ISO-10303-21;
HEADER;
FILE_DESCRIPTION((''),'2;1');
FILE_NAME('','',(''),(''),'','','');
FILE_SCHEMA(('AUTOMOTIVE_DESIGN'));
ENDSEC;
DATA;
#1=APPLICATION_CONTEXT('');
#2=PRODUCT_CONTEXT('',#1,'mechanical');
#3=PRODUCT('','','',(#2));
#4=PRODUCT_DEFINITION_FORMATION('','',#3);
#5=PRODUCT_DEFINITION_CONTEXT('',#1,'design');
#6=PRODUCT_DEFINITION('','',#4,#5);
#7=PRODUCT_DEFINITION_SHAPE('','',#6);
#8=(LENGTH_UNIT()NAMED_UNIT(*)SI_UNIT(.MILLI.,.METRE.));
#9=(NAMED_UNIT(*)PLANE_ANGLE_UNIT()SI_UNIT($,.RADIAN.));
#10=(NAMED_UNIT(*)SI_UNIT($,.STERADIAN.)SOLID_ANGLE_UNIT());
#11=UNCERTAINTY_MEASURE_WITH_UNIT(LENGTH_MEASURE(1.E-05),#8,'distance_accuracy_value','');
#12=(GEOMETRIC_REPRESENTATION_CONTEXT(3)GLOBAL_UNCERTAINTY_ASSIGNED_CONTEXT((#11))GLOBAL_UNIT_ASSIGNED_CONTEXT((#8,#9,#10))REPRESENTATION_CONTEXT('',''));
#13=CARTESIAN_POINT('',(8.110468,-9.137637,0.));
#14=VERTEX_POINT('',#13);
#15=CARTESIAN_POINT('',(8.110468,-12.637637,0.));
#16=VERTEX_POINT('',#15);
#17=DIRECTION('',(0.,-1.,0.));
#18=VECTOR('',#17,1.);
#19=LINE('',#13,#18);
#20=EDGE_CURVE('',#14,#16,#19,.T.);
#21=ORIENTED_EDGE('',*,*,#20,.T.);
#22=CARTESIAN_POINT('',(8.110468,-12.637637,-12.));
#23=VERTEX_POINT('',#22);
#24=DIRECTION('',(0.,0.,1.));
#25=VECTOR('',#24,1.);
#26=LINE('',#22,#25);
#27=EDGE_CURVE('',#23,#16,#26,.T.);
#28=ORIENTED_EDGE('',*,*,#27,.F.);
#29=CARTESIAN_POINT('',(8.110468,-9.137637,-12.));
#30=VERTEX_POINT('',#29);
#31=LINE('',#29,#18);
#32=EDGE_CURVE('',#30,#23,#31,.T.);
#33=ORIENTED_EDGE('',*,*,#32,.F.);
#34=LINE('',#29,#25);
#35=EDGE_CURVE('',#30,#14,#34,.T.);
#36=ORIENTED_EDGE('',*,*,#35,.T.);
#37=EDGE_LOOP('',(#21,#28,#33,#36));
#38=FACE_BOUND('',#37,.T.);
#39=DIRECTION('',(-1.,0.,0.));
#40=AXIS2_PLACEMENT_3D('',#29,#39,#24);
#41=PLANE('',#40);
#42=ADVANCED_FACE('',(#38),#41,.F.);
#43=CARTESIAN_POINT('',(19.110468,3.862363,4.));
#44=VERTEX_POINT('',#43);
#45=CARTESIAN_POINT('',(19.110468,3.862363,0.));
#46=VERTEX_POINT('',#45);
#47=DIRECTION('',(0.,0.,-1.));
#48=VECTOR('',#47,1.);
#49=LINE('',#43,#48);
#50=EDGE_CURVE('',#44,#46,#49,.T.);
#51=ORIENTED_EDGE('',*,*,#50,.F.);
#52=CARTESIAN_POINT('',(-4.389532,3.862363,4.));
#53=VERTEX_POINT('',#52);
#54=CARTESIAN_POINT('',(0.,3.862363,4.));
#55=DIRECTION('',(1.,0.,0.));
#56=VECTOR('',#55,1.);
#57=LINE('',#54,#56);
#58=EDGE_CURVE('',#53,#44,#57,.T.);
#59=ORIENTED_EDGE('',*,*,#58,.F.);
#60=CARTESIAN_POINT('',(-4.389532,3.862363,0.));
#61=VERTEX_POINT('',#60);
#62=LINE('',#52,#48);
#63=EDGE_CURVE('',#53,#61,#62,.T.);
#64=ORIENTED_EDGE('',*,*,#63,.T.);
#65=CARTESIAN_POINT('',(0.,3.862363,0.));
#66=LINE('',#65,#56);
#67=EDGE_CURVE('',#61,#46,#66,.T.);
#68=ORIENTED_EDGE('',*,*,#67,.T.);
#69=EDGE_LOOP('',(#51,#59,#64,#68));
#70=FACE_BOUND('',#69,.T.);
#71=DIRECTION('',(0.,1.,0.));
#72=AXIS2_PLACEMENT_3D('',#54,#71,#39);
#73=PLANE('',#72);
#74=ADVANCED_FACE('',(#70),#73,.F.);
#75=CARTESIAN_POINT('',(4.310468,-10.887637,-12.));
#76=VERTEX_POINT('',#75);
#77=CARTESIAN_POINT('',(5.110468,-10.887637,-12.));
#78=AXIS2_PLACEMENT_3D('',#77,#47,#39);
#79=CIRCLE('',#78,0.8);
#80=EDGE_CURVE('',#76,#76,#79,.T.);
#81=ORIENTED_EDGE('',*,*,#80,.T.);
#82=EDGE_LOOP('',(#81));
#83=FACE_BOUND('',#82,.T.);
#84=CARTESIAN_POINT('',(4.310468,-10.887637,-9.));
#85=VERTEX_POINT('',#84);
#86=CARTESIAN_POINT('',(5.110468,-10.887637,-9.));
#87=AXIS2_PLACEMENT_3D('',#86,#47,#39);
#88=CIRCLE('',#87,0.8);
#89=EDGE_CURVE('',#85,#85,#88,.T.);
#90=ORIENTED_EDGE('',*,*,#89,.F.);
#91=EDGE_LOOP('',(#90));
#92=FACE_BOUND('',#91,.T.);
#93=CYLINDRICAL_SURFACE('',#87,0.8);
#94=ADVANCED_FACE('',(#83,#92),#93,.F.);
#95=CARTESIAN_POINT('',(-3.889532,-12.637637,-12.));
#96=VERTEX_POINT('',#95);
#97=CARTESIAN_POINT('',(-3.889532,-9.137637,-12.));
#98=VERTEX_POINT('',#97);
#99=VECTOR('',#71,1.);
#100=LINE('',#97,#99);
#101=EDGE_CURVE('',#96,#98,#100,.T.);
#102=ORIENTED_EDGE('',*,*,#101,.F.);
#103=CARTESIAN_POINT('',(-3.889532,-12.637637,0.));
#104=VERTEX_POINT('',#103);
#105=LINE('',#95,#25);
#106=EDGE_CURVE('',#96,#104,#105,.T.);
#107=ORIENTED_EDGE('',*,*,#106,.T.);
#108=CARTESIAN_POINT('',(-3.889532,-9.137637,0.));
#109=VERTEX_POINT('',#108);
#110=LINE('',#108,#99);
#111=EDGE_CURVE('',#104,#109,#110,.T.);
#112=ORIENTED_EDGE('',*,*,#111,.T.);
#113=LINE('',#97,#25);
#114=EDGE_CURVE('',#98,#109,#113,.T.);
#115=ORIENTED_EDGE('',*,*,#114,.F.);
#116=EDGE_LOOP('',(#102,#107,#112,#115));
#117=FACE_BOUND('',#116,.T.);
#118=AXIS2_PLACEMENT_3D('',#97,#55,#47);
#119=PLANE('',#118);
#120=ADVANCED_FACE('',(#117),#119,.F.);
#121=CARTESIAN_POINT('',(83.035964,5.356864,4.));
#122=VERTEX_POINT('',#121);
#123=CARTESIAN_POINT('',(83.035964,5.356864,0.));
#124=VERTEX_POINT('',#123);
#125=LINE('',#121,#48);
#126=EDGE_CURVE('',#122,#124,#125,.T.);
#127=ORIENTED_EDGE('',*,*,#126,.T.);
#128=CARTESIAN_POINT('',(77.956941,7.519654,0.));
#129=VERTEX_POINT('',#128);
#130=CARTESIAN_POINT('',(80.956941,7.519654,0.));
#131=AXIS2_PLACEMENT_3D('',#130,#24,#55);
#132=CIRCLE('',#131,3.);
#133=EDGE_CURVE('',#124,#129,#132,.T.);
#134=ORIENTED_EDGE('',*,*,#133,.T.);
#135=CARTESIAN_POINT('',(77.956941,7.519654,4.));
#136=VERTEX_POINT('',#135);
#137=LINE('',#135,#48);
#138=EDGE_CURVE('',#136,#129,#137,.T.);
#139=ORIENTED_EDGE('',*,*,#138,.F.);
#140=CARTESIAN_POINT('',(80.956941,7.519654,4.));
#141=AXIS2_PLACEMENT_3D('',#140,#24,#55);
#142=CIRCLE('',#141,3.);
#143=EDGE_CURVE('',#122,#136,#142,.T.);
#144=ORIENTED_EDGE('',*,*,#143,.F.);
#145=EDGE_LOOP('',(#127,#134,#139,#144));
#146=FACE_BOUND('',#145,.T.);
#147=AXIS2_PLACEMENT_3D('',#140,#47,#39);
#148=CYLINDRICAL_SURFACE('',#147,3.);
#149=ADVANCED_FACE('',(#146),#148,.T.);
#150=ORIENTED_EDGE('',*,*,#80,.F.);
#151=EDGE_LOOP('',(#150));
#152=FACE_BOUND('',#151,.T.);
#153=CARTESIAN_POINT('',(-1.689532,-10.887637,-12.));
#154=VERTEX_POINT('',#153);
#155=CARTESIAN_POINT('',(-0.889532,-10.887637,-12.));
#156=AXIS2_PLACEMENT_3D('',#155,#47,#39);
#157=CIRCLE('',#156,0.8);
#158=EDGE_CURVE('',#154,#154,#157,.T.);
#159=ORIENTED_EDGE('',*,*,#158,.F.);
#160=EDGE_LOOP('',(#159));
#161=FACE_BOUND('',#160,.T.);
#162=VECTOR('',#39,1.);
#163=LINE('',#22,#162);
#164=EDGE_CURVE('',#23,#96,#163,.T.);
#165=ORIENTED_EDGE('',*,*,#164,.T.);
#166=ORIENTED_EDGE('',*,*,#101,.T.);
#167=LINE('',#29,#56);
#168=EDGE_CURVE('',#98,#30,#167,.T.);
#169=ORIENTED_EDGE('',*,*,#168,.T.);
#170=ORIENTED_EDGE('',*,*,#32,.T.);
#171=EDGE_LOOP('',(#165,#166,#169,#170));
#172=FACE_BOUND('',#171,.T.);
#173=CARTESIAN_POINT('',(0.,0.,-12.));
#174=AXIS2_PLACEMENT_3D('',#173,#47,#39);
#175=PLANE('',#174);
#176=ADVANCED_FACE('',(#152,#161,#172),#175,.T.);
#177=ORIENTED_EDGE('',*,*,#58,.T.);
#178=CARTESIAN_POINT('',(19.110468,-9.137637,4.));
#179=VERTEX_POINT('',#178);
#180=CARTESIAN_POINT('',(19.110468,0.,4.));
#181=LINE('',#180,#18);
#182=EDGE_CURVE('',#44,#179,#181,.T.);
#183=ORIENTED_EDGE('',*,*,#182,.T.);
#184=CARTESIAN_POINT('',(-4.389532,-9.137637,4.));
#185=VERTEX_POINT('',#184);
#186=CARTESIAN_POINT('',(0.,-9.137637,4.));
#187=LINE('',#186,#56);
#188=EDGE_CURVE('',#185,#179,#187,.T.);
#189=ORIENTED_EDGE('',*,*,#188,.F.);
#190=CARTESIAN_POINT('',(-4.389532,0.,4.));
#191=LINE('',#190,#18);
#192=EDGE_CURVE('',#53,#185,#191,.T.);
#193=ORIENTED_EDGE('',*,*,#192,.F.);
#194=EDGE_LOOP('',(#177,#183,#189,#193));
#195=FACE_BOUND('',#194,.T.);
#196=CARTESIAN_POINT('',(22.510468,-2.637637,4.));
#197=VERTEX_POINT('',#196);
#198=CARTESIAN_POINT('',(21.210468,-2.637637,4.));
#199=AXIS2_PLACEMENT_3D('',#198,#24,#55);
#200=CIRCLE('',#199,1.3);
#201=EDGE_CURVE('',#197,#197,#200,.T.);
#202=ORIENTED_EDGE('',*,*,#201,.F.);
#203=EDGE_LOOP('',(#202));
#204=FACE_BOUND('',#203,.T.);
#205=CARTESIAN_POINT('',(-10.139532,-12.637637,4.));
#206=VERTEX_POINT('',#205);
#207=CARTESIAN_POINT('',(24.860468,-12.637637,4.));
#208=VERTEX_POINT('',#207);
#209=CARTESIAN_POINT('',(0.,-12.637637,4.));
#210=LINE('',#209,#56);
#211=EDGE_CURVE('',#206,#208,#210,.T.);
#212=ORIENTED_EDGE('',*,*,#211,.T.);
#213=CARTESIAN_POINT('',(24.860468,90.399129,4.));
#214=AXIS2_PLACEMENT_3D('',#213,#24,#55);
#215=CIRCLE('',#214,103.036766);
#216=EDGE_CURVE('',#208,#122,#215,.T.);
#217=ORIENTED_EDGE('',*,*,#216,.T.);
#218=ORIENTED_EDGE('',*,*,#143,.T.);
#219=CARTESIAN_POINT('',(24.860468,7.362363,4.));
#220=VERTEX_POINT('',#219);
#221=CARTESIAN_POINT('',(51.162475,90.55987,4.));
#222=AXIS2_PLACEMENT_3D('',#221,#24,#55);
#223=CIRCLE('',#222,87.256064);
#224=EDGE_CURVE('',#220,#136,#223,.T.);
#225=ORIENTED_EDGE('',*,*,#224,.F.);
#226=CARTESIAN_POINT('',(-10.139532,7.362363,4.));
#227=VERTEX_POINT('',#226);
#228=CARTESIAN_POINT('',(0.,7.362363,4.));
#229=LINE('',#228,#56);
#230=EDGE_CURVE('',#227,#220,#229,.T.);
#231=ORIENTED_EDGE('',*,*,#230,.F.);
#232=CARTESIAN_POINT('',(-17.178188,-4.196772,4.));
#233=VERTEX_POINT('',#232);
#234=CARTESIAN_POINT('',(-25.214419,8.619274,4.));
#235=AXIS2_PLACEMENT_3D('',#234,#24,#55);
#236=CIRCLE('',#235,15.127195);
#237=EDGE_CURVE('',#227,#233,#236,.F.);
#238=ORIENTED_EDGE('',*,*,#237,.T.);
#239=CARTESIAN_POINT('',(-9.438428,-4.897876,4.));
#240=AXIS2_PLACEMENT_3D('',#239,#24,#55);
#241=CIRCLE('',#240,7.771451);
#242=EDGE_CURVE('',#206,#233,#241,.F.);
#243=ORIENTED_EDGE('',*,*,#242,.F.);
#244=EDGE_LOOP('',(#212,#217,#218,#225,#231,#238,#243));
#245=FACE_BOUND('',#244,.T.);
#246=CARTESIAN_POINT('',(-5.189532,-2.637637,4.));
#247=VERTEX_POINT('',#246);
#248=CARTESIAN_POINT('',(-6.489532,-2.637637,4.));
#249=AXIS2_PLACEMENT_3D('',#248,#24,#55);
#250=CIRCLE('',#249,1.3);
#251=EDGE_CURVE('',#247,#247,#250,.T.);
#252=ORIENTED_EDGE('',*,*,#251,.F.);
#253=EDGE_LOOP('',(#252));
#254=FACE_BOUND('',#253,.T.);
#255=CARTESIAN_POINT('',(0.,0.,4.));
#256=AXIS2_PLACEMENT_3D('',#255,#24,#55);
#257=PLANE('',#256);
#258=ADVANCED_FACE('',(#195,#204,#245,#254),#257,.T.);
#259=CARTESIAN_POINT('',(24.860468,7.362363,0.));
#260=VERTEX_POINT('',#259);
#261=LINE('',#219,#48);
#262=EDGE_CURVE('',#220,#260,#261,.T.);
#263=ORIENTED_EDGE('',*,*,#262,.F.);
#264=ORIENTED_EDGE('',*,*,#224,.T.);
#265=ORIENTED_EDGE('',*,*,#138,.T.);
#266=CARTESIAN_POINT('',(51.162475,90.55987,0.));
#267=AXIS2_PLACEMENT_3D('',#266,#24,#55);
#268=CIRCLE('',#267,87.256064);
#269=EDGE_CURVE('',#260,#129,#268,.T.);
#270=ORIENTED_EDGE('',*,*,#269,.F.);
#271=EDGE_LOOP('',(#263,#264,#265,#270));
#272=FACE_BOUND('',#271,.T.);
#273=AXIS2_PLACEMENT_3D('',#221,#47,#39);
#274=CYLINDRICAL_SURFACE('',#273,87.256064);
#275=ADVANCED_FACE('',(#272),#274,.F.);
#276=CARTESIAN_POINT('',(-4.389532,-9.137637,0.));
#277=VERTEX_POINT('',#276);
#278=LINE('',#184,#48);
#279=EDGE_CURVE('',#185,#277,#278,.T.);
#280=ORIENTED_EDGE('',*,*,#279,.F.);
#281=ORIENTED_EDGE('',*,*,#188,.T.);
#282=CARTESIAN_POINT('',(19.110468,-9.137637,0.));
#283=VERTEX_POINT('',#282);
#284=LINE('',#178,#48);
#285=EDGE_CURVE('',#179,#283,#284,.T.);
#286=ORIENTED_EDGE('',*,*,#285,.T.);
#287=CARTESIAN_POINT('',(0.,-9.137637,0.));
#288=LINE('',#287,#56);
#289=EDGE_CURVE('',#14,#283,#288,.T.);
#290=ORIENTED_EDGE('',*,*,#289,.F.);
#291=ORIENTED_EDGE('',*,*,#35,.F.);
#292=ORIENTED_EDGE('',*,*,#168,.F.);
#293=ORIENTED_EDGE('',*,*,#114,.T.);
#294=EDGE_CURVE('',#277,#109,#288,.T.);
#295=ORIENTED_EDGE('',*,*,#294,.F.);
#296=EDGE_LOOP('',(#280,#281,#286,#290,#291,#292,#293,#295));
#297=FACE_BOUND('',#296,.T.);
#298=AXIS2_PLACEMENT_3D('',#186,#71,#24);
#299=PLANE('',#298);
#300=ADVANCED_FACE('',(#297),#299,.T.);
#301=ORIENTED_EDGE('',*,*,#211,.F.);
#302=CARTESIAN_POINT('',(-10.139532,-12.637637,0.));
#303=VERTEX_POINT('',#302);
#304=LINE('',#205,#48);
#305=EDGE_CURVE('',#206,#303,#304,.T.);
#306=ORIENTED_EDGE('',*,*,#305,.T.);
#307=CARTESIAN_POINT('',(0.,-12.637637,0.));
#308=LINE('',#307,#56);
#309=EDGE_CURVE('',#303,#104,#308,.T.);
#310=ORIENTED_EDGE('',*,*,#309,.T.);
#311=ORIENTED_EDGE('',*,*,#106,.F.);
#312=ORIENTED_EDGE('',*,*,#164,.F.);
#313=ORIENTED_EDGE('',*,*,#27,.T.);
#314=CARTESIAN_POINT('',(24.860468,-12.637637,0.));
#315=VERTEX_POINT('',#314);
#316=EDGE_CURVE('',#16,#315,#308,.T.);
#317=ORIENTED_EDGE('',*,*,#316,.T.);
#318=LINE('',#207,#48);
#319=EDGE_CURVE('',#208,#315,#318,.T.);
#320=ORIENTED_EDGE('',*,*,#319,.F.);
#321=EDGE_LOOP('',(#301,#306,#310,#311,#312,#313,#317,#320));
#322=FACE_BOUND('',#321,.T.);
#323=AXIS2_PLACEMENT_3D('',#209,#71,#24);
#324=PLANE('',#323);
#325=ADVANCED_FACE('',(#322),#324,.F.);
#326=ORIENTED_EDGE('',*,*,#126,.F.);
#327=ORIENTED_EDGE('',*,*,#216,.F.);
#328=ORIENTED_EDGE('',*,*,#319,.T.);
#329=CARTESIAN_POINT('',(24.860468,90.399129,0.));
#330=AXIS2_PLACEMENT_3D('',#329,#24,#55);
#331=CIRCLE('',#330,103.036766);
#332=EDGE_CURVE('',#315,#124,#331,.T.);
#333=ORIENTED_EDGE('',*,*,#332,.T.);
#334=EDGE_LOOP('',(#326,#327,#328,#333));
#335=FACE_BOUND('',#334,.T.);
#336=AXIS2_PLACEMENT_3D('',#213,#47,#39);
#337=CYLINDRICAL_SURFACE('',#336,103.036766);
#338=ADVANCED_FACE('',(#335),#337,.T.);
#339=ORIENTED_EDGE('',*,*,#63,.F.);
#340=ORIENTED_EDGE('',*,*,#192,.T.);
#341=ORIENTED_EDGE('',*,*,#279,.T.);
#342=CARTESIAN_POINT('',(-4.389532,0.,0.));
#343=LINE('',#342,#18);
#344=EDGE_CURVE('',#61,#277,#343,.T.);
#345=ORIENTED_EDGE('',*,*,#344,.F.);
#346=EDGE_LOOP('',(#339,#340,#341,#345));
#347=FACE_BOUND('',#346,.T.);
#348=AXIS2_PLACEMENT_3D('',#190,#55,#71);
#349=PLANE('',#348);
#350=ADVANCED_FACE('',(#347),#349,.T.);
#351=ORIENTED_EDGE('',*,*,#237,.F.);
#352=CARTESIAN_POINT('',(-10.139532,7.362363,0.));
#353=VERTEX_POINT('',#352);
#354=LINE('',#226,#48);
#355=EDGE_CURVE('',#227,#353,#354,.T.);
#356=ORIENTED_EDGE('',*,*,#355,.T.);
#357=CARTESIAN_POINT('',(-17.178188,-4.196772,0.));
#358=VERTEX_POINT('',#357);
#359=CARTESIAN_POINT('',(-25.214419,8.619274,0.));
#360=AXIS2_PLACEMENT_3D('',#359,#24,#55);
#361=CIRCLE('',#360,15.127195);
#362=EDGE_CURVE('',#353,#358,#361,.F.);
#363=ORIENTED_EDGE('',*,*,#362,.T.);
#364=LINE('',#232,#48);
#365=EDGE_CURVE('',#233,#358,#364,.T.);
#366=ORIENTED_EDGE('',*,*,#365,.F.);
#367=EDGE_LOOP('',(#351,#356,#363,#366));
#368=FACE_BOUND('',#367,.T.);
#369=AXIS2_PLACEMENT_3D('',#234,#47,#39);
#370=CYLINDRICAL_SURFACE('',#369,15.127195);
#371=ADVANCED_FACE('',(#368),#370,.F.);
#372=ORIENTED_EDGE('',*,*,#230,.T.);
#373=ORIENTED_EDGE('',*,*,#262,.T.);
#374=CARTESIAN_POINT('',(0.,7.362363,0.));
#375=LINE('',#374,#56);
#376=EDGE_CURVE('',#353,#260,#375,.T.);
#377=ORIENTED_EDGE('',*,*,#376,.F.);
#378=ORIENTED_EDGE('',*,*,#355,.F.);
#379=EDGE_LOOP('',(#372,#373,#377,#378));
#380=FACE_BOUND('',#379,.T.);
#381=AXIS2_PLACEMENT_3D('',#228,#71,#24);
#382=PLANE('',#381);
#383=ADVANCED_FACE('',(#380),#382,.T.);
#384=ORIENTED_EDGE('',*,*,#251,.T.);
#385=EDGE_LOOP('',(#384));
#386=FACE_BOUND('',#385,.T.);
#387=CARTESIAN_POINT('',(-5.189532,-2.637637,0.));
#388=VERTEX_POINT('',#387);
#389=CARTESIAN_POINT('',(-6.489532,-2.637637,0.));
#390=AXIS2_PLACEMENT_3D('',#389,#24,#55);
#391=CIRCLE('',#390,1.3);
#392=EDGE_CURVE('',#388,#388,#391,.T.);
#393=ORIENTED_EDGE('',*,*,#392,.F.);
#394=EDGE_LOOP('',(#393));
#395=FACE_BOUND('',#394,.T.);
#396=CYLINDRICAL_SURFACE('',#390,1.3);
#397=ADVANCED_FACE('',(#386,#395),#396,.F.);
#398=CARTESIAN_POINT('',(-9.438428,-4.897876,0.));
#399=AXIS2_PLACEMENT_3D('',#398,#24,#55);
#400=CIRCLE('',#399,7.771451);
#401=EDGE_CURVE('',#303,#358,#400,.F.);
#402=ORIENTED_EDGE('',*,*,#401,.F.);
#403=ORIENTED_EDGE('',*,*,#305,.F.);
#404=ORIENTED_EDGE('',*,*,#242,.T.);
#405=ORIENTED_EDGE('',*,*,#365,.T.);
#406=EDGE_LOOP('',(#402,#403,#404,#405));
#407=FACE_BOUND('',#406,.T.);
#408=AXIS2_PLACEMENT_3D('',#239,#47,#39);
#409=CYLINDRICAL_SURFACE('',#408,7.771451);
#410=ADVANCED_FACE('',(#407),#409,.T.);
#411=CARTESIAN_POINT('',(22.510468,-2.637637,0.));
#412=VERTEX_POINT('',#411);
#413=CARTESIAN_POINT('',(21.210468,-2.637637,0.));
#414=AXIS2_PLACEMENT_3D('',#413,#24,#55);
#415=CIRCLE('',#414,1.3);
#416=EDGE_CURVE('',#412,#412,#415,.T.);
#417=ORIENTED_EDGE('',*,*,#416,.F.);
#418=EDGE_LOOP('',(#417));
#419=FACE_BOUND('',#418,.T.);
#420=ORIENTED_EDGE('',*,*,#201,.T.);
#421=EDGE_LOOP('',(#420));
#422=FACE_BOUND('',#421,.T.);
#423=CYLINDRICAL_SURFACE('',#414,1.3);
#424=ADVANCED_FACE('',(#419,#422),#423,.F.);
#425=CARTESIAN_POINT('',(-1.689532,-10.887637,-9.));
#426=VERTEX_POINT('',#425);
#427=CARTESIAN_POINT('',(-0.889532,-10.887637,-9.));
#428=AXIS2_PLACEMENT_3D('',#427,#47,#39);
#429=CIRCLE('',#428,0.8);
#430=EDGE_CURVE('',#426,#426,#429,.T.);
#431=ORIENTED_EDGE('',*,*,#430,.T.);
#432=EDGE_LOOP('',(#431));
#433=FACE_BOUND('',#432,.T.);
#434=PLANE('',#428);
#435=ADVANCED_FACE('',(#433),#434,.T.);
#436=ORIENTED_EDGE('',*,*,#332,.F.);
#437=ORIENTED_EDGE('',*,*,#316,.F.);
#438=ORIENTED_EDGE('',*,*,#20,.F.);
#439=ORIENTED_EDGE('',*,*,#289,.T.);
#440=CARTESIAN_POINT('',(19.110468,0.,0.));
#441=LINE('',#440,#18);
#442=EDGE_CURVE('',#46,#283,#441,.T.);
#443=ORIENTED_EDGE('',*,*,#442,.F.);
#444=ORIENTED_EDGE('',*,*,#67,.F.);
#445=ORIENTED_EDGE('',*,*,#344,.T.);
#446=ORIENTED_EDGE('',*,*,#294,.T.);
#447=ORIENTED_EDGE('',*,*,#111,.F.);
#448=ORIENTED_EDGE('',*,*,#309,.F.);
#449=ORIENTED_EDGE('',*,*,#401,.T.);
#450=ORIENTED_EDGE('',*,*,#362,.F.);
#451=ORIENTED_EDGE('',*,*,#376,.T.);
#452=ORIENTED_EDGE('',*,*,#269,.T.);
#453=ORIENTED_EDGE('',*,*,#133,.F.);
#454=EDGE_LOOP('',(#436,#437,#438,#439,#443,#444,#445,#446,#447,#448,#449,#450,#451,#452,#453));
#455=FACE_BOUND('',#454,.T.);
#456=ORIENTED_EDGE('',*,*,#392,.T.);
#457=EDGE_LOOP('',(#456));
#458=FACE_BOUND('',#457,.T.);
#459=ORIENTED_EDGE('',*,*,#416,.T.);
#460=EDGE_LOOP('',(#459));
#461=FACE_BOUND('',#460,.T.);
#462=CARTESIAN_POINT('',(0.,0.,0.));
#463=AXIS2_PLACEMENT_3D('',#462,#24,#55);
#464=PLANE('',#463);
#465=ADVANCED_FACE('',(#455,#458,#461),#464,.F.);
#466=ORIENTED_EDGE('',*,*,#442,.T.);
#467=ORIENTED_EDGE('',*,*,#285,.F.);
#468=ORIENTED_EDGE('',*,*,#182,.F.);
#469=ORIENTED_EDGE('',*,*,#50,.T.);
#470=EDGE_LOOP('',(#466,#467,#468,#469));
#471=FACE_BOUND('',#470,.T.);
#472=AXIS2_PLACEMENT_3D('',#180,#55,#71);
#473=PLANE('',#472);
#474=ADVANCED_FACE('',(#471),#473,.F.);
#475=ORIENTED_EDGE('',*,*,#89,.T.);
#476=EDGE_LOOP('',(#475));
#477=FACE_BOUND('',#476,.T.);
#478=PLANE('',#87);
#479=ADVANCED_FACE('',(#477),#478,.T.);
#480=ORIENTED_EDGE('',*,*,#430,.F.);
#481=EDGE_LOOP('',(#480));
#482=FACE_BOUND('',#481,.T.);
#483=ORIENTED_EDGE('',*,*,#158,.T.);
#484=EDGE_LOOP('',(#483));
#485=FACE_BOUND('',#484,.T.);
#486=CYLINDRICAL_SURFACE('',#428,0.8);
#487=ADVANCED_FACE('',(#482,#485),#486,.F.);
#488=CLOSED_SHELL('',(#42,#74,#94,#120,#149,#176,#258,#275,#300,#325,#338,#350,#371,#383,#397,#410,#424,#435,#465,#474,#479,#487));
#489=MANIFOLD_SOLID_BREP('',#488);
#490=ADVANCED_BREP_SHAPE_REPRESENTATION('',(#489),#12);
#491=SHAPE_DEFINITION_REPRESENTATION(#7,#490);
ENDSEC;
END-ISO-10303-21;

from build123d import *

# Parameters (mm, degrees)
SKETCH1_W           = 23.5
SKETCH1_H           = 13
BOSS_EXTRUDE1_DEPTH = 4
SKETCH4_W           = 12
SKETCH4_H           = 3.5
BOSS_EXTRUDE3_DEPTH = 12
SKETCH5_R           = 0.8
CUT_EXTRUDE2_DEPTH  = 3
SKETCH6_R           = 1.3
CUT_EXTRUDE3_DEPTH  = 4


with BuildPart() as part:
    # Sketch1 → Boss-Extrude1 (new body)
    with BuildSketch(Plane.XY):
        with BuildLine():
            Line((24.860467777, 7.362362669), (-10.139532223, 7.362362669))
            ThreePointArc((-10.139532223, 7.362362669), (-12.294111981, 0.751764817), (-17.178188495, -4.196771785))
            ThreePointArc((-17.178188495, -4.196771785), (-15.407020853, -9.874958003), (-10.139532223, -12.637637331))
            Line((-10.139532223, -12.637637331), (24.860467777, -12.637637331))
            ThreePointArc((24.860467777, -12.637637331), (54.82087059, -8.185603487), (82.192202879, 4.785769252))
            ThreePointArc((82.192202879, 4.785769252), (82.614789286, 5.070273598), (83.035963889, 5.356863806))
            ThreePointArc((83.035963889, 5.356863806), (82.132298227, 10.279823625), (77.956940726, 7.519654292))
            ThreePointArc((77.956940726, 7.519654292), (51.420959061, 3.304188228), (24.860467777, 7.362362669))
        make_face()
        with Locations((7.360467777, -2.637637331)):
            Rectangle(SKETCH1_W, SKETCH1_H, mode=Mode.SUBTRACT)
    extrude(amount=BOSS_EXTRUDE1_DEPTH)

    # Sketch4 → Boss-Extrude3 (add)
    with BuildSketch(Plane(origin=(0, 0, 0), x_dir=(-1, 0, 0), z_dir=(0, 0, -1))):
        with Locations((-2.110467777, -10.887637331)):
            Rectangle(SKETCH4_W, SKETCH4_H)
    extrude(amount=BOSS_EXTRUDE3_DEPTH)

    # Sketch5 → Cut-Extrude2 (cut)
    with BuildSketch(Plane(origin=(0, 0, -12), x_dir=(-1, 0, 0), z_dir=(0, 0, -1))):
        with Locations((0.889532223, -10.887637331)):
            Circle(SKETCH5_R)
        with Locations((-5.110467777, -10.887637331)):
            Circle(SKETCH5_R)
    extrude(amount=-CUT_EXTRUDE2_DEPTH, mode=Mode.SUBTRACT)

    # Sketch6 → Cut-Extrude3 (cut)
    with BuildSketch(Plane.XY.offset(4)):
        with Locations((21.210467777, -2.637637331)):
            Circle(SKETCH6_R)
        with Locations((-6.489532223, -2.637637331)):
            Circle(SKETCH6_R)
    extrude(amount=-CUT_EXTRUDE3_DEPTH, mode=Mode.SUBTRACT)


solid = part.part
